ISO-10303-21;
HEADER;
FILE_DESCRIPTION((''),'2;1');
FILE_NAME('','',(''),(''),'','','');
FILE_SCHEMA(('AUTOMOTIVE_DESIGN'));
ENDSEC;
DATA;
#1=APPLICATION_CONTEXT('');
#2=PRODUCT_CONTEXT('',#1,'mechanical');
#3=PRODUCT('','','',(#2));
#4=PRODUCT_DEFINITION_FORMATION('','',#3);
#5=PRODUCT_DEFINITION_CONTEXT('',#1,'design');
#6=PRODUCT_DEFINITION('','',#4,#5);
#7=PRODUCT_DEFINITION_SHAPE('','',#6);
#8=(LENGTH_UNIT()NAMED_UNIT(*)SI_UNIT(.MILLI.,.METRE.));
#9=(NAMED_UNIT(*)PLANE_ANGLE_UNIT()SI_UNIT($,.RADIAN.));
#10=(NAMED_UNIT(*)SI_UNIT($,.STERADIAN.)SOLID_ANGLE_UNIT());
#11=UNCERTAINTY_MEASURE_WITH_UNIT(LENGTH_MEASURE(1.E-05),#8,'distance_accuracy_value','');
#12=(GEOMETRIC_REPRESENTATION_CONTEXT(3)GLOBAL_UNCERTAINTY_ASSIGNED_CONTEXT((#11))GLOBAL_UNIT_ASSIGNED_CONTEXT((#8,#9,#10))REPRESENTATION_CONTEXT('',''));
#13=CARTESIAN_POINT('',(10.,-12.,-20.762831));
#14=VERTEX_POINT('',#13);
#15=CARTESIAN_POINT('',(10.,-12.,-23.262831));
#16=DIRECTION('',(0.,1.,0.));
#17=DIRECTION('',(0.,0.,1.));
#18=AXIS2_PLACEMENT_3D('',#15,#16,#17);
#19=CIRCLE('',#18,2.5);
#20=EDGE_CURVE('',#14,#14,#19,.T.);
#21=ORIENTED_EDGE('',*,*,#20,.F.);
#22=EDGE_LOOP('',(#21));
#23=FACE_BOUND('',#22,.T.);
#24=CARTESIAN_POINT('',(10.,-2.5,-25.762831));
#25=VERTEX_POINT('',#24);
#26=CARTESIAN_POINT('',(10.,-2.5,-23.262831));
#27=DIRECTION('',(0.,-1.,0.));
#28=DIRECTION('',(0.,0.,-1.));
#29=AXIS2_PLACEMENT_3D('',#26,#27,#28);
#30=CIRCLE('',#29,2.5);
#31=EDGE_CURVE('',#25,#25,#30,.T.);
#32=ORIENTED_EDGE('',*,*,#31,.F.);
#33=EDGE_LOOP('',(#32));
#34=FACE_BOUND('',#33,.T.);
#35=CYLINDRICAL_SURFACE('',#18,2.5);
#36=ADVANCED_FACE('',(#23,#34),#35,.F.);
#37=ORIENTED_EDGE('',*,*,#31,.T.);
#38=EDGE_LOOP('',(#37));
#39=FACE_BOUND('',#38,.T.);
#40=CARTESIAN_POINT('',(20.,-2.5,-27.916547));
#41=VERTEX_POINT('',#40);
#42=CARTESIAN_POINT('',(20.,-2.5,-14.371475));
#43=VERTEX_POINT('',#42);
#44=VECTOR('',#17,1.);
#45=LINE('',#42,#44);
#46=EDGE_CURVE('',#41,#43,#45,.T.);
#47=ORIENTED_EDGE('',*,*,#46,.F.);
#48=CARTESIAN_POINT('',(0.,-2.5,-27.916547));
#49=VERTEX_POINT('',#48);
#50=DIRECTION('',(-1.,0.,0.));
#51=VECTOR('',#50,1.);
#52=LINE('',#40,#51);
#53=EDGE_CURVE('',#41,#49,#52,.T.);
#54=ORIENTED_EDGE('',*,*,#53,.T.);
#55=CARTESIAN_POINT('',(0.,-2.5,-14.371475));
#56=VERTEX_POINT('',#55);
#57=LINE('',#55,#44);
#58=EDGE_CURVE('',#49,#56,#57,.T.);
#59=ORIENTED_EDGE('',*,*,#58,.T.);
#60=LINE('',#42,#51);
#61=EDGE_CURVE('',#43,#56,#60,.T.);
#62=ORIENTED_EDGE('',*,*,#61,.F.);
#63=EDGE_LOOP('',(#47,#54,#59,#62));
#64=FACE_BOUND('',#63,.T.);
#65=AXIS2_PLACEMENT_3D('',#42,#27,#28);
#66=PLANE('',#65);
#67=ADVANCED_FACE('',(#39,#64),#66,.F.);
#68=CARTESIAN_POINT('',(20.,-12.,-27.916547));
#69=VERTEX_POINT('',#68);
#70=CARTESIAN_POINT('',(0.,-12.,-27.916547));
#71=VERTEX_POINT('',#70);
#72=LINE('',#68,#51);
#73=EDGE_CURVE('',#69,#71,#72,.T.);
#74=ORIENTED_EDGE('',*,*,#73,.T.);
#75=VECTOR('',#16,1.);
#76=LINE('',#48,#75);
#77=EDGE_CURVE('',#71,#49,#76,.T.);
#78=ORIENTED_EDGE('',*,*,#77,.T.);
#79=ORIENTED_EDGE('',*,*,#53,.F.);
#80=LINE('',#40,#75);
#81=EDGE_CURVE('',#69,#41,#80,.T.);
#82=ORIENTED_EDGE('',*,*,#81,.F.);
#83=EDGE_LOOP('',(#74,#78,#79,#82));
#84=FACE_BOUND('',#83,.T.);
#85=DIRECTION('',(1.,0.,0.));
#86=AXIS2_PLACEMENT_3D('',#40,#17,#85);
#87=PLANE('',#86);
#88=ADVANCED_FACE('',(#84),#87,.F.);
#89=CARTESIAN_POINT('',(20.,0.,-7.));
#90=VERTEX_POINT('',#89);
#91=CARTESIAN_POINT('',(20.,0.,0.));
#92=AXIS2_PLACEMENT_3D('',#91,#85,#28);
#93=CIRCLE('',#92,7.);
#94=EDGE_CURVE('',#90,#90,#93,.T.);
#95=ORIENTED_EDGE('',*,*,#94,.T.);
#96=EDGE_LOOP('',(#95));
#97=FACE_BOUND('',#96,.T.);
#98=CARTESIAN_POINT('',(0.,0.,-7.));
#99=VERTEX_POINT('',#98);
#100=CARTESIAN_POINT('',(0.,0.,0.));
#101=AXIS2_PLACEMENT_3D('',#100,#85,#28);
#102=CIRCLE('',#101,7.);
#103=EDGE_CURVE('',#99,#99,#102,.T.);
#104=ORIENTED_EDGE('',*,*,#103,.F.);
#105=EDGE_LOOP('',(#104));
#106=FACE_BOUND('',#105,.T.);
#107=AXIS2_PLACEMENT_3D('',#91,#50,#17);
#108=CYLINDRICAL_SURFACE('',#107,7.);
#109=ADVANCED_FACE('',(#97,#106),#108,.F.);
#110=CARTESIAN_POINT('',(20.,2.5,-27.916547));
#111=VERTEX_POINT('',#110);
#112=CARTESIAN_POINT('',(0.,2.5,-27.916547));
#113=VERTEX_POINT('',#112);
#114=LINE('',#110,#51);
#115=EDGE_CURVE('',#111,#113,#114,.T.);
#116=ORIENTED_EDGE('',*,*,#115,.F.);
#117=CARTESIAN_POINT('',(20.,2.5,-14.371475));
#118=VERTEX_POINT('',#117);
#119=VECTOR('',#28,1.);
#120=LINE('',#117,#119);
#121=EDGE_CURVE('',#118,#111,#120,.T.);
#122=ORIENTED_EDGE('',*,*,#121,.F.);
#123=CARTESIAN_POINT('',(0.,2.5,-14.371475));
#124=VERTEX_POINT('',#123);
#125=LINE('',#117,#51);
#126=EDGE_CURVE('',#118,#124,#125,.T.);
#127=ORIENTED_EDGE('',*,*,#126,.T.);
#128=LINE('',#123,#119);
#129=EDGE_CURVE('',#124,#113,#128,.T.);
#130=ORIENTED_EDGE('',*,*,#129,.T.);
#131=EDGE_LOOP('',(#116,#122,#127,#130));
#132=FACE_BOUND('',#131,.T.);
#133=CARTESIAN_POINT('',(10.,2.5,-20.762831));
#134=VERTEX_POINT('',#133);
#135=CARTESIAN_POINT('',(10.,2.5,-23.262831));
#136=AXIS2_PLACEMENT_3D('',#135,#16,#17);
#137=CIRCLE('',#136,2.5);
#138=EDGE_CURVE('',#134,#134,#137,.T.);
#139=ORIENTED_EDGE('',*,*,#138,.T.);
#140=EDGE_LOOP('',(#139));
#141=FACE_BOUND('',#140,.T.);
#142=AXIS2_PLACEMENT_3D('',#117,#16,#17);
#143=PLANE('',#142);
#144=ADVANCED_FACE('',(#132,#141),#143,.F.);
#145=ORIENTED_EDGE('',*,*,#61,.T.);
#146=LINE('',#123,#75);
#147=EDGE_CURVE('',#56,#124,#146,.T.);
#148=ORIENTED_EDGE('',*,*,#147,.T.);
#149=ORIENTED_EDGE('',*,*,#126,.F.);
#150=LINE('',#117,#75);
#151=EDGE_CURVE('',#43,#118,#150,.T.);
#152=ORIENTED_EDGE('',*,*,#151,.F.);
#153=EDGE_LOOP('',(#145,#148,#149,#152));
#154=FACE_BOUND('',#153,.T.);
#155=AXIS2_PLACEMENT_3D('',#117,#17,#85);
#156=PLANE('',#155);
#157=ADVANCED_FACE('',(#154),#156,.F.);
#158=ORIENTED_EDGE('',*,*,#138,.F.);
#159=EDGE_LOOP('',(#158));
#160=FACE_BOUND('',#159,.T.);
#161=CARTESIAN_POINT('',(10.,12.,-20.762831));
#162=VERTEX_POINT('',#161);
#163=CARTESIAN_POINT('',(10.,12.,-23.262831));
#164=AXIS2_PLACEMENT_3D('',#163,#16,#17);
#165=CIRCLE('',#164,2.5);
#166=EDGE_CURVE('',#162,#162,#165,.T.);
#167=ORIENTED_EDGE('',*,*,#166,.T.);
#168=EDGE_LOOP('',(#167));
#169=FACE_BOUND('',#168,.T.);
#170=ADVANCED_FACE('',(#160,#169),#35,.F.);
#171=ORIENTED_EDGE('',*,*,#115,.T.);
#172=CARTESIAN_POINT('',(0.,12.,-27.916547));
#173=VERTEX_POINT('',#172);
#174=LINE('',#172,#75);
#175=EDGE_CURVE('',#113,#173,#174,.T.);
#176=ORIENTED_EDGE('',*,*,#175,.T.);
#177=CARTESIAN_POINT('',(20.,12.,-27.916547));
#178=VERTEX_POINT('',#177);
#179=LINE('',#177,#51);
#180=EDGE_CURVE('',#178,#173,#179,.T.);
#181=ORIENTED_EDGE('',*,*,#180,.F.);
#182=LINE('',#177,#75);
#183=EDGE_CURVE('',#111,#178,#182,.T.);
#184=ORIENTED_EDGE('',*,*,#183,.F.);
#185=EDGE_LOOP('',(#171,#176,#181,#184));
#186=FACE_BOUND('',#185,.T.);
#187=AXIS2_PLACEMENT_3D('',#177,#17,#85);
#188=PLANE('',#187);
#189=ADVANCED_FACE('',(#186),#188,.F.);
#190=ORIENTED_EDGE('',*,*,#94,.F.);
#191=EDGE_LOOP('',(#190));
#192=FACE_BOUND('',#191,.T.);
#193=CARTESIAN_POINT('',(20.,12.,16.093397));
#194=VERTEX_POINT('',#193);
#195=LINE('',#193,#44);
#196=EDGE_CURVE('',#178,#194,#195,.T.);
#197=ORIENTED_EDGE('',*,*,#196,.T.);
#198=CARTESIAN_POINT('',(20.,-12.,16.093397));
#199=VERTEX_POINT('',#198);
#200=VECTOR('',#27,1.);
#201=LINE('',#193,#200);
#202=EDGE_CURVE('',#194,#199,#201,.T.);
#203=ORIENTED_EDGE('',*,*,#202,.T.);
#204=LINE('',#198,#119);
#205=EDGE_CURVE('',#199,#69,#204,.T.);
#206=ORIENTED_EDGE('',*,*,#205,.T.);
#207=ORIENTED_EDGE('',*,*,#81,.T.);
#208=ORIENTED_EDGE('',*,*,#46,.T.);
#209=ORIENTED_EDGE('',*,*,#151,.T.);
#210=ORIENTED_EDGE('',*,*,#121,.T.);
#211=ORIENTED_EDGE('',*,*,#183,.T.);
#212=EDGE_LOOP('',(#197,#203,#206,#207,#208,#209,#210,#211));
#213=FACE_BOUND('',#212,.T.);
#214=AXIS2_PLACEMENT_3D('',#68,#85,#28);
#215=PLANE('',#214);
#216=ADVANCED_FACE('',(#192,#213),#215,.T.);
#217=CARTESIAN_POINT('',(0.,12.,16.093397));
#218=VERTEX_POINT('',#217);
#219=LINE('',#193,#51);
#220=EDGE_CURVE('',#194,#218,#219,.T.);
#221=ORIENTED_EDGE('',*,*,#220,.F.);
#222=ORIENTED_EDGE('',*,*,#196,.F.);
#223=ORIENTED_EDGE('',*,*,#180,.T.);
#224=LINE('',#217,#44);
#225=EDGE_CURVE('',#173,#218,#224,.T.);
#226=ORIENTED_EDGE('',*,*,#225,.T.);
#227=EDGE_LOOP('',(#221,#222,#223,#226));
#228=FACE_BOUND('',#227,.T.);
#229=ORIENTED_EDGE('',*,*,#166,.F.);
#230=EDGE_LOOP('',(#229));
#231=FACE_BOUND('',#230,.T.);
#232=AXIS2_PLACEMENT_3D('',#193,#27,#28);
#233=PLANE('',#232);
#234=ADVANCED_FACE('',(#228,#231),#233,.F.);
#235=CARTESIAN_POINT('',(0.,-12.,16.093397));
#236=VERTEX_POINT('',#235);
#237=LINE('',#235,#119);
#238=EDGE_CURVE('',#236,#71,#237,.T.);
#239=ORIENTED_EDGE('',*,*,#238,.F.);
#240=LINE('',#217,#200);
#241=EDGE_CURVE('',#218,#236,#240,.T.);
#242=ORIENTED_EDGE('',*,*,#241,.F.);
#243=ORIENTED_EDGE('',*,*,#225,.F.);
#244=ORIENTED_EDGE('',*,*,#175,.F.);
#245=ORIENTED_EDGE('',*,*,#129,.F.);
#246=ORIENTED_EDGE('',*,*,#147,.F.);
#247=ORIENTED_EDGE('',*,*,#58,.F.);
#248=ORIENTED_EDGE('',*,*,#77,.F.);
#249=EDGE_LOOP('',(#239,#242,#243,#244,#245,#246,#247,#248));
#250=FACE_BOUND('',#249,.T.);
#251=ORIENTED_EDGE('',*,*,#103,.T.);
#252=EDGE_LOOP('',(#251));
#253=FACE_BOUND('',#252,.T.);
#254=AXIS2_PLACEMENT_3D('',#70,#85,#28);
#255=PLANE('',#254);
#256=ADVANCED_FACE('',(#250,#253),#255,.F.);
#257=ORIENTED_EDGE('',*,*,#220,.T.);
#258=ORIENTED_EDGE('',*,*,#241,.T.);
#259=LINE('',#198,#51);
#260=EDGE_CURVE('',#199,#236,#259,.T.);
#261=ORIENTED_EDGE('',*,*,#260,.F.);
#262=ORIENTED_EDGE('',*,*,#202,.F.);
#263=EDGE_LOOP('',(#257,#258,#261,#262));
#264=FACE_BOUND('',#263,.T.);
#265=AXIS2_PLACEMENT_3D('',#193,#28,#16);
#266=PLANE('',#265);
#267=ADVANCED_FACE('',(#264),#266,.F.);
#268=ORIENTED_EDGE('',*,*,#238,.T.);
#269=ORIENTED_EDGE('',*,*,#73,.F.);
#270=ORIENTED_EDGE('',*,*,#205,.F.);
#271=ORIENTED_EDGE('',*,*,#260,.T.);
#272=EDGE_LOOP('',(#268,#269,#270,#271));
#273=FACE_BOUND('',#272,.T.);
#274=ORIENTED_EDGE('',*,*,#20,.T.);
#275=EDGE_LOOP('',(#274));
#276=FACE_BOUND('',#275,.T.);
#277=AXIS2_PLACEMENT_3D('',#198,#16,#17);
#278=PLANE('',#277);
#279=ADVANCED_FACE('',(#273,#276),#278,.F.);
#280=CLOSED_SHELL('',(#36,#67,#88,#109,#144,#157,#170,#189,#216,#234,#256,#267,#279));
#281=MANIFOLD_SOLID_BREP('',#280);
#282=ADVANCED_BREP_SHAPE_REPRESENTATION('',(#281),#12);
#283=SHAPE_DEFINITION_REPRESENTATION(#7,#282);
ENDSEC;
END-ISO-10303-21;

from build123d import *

# Parameters (mm, degrees)
SKETCH_1_R          = 7
EXTRUDE_1_DEPTH     = 20
SKETCH_2_R          = 2.5
CUT_EXTRUDE_2_DEPTH = 42.896701285


with BuildPart() as part:
    # Эскиз1 → Вытянуть1 (new body)
    with BuildSketch(Plane(origin=(0, 0, 0), x_dir=(0, 0, -1), z_dir=(1, 0, 0))):
        Polygon((-16.093397181, 12), (27.91654668, 12), (27.91654668, 2.5), (14.371474957, 2.5), (14.371474957, -2.5), (27.91654668, -2.5), (27.91654668, -12), (-16.093397181, -12), align=None)
        Circle(SKETCH_1_R, mode=Mode.SUBTRACT)
    extrude(amount=EXTRUDE_1_DEPTH)

    # Эскиз2 → Вытянуть2 (cut, through all)
    with BuildSketch(Plane(origin=(0, 12, 0), x_dir=(1, 0, 0), z_dir=(0, 1, 0))):
        with Locations(Location((10, 23.262831067, 0), (0, 0, 270))):
            Circle(SKETCH_2_R)
    extrude(amount=-CUT_EXTRUDE_2_DEPTH, mode=Mode.SUBTRACT)


solid = part.part
